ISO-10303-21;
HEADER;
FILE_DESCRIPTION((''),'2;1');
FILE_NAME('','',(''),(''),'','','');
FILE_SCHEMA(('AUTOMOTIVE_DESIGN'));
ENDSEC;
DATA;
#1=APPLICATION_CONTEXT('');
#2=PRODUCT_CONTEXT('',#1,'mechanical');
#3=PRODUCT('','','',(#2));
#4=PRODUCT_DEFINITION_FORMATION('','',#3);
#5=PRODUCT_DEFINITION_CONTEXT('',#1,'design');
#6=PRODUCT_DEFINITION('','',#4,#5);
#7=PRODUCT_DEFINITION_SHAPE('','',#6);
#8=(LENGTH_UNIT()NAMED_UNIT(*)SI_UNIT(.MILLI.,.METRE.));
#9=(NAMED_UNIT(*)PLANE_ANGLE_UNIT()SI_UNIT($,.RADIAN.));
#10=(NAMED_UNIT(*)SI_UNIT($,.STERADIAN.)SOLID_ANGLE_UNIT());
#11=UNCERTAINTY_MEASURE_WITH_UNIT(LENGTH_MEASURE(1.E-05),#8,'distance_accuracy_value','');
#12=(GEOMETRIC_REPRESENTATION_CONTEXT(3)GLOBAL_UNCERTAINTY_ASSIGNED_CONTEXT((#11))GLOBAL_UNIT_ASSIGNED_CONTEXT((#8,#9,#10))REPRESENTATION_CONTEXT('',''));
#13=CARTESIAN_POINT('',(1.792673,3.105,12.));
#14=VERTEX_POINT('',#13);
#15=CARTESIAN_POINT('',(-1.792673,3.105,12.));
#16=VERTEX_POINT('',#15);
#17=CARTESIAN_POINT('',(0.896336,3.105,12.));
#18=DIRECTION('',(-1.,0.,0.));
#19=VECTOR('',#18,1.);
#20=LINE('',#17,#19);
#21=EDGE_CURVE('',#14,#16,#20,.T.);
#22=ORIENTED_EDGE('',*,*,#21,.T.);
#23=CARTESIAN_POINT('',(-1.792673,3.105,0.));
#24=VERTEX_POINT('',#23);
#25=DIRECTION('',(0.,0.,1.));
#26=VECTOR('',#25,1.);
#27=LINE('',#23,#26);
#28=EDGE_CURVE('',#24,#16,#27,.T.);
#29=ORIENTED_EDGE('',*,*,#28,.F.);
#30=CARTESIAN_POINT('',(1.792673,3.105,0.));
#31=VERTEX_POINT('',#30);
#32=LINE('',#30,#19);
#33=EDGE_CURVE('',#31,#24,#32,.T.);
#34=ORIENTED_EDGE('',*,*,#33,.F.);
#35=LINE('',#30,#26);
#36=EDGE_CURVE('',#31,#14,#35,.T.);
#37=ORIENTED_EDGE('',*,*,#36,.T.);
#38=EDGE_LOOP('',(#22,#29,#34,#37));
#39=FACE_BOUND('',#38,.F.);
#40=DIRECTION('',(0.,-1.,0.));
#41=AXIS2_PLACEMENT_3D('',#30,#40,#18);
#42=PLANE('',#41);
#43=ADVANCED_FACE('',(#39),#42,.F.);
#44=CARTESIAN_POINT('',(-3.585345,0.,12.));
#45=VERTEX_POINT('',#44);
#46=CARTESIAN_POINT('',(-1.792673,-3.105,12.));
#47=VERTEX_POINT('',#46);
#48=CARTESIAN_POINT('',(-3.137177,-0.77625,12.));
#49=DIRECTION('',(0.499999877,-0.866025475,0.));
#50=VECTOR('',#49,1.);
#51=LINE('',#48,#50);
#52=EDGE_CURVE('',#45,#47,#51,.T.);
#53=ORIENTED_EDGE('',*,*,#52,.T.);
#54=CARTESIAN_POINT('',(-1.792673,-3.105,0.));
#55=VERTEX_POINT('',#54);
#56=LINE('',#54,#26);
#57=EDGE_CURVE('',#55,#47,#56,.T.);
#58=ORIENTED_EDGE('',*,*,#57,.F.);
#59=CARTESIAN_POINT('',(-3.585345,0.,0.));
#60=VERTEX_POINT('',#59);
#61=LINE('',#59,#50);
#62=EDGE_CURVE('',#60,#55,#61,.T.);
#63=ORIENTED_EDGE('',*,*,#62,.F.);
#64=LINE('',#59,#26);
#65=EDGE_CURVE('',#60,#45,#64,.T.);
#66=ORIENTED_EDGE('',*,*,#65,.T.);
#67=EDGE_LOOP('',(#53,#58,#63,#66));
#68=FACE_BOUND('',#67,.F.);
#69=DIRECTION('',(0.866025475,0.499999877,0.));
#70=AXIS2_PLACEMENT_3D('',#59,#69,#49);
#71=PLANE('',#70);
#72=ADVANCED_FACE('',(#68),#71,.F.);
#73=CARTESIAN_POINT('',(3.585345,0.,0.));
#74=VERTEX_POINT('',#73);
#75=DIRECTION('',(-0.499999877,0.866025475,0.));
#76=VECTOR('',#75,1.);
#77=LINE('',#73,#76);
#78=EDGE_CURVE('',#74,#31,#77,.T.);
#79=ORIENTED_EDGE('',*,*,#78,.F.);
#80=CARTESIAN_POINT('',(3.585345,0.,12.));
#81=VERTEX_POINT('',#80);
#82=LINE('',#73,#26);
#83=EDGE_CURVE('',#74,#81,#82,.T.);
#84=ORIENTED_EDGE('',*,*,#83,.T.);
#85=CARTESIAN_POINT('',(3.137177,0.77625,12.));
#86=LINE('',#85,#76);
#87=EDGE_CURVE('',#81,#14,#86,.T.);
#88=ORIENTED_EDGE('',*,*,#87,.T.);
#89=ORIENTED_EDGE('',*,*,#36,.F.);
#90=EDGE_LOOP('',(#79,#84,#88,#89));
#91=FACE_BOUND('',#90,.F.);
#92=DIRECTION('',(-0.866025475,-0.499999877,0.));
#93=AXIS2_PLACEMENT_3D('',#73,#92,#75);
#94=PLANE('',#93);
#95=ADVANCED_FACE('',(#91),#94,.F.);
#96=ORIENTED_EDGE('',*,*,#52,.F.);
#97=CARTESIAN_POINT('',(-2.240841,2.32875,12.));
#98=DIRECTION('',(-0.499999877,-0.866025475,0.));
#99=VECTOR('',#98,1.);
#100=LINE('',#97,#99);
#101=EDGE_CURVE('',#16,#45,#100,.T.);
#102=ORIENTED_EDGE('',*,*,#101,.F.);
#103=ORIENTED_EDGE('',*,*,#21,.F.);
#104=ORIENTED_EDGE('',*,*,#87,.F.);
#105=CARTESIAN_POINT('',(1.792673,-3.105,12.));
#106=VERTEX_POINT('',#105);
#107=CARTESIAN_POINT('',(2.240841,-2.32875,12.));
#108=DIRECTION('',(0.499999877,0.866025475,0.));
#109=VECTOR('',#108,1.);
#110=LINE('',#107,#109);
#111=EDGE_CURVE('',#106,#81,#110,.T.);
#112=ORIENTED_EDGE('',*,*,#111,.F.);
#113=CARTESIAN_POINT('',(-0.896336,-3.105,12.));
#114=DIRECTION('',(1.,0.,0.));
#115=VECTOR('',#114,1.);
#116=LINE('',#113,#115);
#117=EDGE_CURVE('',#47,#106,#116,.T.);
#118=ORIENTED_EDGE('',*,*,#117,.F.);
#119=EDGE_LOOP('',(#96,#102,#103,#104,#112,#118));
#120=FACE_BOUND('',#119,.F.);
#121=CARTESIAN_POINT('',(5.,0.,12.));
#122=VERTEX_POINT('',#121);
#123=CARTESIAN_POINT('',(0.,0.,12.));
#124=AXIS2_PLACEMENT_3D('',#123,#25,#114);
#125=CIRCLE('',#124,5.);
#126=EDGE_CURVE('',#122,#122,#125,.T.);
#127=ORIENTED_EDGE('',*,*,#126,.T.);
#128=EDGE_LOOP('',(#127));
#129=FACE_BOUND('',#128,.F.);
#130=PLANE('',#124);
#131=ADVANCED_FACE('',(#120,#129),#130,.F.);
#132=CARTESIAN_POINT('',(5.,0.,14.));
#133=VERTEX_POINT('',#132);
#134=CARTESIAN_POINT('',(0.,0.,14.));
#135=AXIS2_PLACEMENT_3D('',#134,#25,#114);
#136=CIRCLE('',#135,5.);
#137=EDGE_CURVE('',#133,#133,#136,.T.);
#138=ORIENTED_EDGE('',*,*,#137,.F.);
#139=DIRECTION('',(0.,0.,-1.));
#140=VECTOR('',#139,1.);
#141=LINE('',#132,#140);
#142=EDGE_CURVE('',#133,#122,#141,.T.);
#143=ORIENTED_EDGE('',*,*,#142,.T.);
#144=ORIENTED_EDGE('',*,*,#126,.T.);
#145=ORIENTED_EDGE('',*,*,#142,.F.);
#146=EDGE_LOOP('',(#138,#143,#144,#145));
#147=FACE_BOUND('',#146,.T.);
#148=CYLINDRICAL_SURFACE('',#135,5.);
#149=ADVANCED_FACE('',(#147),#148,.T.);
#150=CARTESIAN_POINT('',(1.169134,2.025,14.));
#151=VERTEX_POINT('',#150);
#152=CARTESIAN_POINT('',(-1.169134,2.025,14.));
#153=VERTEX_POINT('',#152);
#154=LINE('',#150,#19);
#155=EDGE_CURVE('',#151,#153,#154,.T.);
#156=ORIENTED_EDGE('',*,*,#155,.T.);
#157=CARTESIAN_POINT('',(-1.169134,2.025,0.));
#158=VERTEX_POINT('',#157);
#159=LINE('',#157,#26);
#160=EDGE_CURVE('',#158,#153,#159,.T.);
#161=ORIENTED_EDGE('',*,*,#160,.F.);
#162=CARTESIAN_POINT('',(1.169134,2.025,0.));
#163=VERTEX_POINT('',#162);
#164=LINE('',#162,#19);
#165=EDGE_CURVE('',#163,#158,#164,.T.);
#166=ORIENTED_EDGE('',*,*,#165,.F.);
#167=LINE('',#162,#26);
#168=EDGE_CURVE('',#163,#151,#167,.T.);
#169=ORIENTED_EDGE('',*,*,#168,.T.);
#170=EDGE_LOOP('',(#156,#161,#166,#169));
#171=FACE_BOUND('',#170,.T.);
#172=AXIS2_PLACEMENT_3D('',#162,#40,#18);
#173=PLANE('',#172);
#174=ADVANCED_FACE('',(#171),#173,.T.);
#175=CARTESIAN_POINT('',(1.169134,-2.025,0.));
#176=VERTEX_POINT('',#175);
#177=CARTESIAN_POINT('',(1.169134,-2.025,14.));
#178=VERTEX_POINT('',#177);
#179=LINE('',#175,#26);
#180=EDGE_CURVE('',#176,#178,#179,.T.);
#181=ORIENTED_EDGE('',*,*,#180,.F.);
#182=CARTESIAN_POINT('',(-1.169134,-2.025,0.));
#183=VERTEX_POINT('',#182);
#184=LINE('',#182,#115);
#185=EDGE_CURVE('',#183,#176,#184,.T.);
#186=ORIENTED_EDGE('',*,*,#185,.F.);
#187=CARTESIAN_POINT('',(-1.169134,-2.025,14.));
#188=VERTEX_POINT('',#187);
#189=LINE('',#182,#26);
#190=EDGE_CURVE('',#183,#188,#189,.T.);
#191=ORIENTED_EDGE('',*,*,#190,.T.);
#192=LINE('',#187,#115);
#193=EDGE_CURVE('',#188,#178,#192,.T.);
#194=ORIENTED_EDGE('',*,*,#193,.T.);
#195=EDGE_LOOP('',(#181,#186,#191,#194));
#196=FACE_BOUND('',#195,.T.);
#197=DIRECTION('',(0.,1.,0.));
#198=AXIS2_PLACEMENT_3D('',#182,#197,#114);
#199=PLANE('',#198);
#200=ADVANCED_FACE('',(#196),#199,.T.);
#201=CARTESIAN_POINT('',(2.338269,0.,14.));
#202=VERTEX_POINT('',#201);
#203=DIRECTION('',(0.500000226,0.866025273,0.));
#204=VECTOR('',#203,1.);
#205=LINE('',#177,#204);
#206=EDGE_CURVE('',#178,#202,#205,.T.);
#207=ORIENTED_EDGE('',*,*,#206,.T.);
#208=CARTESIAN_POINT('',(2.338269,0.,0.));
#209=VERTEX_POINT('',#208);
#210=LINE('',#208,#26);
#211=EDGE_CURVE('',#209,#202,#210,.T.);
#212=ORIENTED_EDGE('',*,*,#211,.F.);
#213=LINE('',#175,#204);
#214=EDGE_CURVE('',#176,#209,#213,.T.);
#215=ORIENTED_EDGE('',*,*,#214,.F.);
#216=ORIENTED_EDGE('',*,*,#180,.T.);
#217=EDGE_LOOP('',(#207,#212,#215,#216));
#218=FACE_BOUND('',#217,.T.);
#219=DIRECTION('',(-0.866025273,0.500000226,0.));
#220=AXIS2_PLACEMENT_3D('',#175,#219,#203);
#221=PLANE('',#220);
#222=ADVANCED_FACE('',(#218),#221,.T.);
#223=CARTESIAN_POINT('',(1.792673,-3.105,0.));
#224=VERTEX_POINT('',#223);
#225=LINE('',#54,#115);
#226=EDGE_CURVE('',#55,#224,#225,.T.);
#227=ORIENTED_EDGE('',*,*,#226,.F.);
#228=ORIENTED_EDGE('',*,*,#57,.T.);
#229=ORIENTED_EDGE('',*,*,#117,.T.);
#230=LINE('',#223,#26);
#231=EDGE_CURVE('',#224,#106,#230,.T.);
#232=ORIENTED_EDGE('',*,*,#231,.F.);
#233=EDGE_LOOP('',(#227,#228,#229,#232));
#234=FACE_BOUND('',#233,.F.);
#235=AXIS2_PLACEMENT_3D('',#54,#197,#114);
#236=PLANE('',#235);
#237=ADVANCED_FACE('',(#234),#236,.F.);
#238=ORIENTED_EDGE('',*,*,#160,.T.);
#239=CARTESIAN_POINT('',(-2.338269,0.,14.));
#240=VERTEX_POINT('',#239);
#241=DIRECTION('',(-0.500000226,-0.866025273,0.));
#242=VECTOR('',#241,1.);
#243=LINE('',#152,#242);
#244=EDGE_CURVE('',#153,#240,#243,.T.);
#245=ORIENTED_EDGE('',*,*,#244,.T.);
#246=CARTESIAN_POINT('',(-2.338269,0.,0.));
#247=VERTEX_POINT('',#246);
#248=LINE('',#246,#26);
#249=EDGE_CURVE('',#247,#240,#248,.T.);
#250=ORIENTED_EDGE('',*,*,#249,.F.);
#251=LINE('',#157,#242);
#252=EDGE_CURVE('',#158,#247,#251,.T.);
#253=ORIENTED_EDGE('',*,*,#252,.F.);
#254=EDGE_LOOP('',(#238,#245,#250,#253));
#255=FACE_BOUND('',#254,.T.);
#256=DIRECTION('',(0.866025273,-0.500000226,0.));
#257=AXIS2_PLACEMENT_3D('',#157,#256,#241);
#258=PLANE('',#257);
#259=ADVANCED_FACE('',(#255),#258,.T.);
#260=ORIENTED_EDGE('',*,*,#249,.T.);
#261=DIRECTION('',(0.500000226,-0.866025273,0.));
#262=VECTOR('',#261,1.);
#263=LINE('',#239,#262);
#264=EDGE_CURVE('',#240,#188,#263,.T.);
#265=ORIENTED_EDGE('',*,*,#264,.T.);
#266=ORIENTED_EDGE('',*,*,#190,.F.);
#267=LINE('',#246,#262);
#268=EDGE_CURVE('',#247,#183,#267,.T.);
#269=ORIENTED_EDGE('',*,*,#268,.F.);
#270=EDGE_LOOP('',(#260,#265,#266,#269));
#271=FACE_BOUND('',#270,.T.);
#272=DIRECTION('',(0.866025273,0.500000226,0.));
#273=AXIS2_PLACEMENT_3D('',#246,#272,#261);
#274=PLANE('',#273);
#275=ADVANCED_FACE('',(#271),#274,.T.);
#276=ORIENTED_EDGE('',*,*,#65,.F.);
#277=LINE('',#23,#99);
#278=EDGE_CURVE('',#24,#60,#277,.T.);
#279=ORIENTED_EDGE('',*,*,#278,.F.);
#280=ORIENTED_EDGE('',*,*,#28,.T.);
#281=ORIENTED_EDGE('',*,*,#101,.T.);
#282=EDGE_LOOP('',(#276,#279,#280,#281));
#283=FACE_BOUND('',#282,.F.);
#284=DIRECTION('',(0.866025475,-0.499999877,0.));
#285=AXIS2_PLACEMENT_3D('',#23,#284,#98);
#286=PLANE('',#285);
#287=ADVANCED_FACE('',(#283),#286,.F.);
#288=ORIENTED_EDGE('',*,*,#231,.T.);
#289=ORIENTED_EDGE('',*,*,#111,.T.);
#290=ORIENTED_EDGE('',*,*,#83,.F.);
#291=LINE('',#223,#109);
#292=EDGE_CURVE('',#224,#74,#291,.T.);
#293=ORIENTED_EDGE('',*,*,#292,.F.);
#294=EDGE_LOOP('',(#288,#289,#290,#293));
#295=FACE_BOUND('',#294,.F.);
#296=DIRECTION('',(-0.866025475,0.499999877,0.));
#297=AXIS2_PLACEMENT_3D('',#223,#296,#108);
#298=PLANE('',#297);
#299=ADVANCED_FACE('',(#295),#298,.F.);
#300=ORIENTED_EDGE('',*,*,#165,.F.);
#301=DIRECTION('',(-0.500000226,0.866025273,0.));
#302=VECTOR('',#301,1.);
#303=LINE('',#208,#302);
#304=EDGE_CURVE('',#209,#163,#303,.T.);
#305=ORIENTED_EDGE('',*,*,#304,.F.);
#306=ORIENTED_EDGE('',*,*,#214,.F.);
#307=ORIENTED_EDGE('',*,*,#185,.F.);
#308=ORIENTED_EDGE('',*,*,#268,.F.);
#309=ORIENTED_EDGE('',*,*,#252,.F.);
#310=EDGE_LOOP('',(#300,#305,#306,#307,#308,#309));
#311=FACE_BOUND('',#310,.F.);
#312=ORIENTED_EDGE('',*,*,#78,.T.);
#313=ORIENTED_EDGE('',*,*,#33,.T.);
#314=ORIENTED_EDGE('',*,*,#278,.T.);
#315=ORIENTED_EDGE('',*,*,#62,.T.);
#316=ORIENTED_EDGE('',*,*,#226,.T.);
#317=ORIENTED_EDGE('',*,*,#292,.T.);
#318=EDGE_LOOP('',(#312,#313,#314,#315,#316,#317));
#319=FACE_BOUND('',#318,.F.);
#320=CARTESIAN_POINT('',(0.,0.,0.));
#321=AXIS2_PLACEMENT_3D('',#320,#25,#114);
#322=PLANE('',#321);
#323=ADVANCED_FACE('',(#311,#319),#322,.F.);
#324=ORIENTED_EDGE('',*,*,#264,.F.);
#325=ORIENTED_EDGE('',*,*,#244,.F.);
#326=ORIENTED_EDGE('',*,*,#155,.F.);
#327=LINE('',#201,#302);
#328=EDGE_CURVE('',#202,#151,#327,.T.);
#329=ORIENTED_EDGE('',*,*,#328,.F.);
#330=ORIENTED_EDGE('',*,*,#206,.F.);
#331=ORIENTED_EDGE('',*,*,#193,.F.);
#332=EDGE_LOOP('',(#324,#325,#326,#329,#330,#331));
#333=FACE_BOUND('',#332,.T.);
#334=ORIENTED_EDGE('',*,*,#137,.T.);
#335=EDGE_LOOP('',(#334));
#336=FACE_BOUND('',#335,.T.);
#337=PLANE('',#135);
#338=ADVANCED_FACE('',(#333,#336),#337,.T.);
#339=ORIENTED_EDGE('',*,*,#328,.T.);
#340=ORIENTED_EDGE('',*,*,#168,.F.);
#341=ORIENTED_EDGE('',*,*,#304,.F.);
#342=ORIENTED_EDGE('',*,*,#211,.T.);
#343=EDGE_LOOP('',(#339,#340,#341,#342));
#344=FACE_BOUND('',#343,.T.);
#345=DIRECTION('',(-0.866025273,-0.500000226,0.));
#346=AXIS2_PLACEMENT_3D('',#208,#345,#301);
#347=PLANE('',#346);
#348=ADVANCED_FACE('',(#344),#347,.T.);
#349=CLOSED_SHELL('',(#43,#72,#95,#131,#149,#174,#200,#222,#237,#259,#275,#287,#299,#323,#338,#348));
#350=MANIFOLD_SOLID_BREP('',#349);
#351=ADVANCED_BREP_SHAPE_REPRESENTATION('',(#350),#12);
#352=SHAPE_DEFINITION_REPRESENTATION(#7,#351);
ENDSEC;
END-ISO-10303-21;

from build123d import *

# Parameters (mm, degrees)
PAD_DEPTH     = 14
SKETCH001_R   = 5
SKETCH001_R_2 = 2.678441
PAD001_DEPTH  = 2


with BuildPart() as part:
    # Sketch → Pad (new body)
    with BuildSketch(Plane.XY):
        Polygon((3.585345, 0), (1.792673, 3.105), (-1.792673, 3.105), (-3.585345, 0), (-1.792673, -3.105), (1.792673, -3.105), align=None)
        Polygon((-2.338269, 0), (-1.169134, -2.025), (1.169134, -2.025), (2.338269, 0), (1.169134, 2.025), (-1.169134, 2.025), align=None, mode=Mode.SUBTRACT)
    extrude(amount=PAD_DEPTH)

    # Sketch001 (on Face14 of Pad) → Pad001 (join)
    with BuildSketch(Plane.XY.offset(14)):
        Circle(SKETCH001_R)
        Circle(SKETCH001_R_2, mode=Mode.SUBTRACT)
    extrude(amount=-PAD001_DEPTH)


solid = part.part
